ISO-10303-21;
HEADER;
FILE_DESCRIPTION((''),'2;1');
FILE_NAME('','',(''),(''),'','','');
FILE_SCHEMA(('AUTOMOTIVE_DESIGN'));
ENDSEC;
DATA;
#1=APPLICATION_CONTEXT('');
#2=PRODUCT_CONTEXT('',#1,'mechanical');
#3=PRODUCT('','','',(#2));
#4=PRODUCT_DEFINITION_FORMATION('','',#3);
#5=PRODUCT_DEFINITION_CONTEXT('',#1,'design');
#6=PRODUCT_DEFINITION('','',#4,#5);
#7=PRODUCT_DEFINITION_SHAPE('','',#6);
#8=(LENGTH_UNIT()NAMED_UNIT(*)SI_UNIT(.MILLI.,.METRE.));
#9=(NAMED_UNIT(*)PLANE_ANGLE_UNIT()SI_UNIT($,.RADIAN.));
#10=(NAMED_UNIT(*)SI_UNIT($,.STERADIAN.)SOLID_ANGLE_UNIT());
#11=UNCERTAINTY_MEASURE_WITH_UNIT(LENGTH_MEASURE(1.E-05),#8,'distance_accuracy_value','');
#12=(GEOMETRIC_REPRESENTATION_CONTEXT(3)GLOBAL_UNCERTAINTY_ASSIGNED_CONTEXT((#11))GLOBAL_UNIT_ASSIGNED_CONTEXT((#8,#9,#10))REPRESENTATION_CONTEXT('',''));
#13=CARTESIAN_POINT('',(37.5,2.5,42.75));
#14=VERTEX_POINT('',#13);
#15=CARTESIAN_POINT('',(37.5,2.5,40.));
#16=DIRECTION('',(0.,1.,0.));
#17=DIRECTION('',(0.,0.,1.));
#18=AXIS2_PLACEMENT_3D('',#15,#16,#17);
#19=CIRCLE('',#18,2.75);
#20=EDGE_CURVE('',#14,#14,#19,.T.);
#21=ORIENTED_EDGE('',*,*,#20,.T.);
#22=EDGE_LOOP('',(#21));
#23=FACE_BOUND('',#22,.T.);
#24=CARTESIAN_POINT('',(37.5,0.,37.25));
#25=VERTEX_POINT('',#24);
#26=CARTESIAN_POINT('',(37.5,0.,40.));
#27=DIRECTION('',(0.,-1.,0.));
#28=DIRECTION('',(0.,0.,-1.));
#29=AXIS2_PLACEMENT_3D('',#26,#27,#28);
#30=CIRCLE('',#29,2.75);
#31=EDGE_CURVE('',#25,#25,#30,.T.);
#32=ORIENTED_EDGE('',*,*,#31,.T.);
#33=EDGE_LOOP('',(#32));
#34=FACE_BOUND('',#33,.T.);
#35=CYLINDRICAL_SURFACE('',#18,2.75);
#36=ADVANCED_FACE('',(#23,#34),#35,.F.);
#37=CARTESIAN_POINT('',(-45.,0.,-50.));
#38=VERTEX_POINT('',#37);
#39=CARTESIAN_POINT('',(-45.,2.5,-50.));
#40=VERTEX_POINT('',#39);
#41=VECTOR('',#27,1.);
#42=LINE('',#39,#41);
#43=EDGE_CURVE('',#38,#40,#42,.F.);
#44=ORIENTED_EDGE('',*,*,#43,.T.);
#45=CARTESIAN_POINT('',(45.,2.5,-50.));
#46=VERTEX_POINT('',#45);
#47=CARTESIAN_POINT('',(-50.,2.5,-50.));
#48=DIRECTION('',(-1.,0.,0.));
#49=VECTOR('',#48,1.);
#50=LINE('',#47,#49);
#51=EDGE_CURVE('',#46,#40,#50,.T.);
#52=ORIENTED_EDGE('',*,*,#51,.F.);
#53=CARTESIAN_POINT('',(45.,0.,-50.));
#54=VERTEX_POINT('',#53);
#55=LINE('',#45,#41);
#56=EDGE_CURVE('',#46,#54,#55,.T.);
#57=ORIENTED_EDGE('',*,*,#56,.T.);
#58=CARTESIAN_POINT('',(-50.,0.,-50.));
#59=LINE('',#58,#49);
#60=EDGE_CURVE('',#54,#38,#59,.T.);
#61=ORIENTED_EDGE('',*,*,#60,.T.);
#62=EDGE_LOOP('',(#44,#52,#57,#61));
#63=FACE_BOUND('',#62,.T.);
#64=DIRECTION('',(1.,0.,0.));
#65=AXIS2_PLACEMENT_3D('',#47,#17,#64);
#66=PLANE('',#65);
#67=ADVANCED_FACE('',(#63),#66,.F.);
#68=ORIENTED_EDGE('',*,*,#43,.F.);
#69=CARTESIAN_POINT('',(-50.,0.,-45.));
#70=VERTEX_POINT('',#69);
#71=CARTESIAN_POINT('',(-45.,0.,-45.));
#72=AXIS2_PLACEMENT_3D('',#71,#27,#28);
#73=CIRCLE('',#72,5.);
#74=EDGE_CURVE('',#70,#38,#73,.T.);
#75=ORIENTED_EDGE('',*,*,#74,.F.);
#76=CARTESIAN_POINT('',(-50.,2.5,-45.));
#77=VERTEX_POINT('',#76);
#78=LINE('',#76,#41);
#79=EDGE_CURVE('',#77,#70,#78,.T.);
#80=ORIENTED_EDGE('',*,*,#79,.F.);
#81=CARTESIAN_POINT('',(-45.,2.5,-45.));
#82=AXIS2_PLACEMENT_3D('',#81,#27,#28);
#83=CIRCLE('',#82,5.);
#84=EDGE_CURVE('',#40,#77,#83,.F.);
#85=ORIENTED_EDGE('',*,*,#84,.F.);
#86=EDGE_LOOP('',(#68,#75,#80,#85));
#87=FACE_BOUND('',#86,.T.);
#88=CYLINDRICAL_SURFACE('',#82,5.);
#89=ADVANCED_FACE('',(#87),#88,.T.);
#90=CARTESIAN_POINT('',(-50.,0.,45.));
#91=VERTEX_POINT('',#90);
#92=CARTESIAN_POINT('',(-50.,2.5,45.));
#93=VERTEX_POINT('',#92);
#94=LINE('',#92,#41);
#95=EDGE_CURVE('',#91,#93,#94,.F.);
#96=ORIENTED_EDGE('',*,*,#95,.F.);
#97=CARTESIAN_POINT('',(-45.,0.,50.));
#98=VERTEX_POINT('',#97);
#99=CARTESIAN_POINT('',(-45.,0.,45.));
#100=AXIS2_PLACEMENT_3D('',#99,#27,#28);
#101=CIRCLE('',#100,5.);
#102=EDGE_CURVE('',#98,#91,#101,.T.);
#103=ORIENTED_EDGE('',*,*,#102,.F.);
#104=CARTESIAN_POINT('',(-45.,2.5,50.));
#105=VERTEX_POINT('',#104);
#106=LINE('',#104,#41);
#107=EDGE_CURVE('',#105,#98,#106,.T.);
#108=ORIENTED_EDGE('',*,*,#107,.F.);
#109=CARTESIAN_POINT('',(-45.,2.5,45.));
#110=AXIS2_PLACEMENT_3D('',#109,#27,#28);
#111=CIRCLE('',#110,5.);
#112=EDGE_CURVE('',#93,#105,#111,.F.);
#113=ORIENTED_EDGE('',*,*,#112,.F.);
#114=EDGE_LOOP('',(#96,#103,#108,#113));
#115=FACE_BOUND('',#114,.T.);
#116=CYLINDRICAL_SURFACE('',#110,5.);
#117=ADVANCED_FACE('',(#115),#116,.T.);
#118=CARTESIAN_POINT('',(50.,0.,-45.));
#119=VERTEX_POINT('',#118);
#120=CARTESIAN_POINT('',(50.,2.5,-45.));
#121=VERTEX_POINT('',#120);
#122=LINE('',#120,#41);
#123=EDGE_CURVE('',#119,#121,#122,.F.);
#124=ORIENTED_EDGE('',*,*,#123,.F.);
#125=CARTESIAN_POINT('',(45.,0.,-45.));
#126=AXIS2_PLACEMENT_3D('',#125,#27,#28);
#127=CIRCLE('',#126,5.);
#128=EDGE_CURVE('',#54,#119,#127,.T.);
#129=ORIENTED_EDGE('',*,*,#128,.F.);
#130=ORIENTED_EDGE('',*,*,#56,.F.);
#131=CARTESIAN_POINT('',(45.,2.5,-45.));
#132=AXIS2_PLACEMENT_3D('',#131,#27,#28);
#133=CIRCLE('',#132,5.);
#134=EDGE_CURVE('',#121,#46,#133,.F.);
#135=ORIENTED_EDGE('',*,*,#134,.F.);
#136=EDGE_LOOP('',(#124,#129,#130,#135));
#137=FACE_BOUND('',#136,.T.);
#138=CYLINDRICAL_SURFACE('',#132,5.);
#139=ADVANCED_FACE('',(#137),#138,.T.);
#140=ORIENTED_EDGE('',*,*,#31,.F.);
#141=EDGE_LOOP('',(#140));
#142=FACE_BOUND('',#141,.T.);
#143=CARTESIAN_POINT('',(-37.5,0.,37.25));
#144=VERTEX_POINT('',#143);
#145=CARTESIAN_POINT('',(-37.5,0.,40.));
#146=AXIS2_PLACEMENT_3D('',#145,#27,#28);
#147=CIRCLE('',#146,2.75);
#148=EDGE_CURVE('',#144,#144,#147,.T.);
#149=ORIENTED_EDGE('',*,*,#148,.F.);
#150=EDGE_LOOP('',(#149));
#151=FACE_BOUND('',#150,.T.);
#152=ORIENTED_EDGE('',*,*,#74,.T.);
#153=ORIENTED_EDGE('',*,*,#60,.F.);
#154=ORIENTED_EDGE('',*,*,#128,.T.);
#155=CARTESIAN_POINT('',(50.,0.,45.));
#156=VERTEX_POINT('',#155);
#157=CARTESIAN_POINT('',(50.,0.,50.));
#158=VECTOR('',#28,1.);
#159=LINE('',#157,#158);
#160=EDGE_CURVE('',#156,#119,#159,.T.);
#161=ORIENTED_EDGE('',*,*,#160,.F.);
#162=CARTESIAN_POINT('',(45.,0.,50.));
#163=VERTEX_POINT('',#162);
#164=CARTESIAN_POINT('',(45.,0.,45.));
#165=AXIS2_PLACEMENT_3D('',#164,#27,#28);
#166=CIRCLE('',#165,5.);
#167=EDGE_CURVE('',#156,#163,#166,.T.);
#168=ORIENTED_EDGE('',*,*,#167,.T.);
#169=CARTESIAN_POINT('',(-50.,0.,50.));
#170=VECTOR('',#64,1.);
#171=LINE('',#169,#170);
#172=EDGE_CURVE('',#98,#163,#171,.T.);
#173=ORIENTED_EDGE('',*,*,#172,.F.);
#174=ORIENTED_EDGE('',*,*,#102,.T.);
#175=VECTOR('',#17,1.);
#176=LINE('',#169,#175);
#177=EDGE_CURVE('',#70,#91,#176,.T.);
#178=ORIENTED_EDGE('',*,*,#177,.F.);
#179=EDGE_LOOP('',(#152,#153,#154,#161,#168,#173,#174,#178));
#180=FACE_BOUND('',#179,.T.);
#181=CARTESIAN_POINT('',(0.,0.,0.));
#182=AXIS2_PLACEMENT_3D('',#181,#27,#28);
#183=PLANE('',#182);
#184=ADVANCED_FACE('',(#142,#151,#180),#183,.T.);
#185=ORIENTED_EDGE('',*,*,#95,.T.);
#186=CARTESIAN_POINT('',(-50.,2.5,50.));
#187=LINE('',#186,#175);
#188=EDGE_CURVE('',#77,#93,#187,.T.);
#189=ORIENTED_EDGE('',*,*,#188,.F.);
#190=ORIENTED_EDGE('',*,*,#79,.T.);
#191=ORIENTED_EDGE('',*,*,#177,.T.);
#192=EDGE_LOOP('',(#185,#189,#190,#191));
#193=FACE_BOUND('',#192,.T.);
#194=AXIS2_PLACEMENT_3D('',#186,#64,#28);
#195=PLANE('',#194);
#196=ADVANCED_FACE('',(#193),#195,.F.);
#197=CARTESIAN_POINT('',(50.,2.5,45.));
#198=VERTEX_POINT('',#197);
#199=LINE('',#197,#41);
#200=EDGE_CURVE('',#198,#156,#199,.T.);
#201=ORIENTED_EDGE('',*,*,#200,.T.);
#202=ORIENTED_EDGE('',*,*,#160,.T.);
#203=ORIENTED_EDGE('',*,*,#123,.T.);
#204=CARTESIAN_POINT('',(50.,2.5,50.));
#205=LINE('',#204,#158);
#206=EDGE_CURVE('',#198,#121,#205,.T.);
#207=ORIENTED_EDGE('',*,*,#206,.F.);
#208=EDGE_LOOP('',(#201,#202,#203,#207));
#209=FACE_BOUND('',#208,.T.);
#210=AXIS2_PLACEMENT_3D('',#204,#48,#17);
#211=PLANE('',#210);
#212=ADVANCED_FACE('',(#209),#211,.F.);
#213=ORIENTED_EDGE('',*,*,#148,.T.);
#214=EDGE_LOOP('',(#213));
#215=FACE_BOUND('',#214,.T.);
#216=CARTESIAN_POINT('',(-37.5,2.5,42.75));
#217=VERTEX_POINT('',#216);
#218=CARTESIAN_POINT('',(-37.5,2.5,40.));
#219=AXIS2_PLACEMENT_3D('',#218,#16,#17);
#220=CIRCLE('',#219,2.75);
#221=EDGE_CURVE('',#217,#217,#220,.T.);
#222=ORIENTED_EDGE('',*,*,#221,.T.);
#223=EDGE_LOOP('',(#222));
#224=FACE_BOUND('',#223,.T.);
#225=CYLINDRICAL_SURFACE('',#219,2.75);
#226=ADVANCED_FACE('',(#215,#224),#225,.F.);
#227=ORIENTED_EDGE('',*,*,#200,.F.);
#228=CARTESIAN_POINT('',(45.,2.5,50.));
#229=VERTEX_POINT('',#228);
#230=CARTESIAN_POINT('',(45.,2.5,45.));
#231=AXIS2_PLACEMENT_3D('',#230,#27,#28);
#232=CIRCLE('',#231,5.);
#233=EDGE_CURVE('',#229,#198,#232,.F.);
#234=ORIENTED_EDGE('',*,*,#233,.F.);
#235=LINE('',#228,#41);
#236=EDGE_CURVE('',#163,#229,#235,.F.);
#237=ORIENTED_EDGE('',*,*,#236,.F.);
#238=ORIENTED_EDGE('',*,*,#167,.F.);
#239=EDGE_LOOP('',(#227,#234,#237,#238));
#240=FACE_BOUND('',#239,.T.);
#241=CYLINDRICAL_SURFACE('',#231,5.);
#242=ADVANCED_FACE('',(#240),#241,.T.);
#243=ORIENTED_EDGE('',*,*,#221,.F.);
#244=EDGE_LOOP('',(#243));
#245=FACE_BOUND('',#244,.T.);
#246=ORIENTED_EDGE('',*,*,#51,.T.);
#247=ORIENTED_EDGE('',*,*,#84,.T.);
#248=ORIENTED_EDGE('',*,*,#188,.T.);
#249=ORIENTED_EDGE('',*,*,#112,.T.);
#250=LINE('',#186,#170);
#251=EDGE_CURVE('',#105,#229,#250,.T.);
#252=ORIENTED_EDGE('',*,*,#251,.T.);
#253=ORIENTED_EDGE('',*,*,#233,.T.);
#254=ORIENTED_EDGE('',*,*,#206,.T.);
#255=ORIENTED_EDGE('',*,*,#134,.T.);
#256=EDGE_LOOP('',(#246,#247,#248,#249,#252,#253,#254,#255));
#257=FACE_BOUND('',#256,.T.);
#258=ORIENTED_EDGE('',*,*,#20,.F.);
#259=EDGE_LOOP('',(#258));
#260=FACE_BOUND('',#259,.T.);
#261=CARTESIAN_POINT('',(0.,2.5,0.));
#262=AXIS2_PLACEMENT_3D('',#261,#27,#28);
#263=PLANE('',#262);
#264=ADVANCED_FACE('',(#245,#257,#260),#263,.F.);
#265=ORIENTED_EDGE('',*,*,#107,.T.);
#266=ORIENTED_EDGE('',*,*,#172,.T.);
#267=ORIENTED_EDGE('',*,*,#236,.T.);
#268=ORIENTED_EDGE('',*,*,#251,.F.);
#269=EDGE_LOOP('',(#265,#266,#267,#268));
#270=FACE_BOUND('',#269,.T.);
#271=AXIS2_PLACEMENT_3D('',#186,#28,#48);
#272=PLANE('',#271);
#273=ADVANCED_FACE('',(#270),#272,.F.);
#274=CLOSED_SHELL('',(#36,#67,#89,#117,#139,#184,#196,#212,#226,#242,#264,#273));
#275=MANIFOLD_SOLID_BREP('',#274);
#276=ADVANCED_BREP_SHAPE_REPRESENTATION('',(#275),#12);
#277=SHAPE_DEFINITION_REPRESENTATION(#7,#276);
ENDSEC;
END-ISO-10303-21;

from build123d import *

# Parameters (mm, degrees)
SKETCH1_W                = 100
SKETCH1_H                = 100
BOSS_EXTRUDE1_DEPTH      = 2.5
M5_CLEARANCE_HOLE1_D     = 5.5
M5_CLEARANCE_HOLE1_DEPTH = 12
M5_CLEARANCE_HOLE1_TIP   = 1.652366702
FILLET1_R                = 5


with BuildPart() as part:
    # Sketch1 → Boss-Extrude1 (new body)
    with BuildSketch(Plane(origin=(0, 0, 0), x_dir=(1, 0, 0), z_dir=(0, 1, 0))):
        Rectangle(SKETCH1_W, SKETCH1_H)
    extrude(amount=BOSS_EXTRUDE1_DEPTH)

    # M5 Clearance Hole1
    with Locations(Plane(origin=(0, 2.5, 0), x_dir=(1, 0, 0), z_dir=(0, 1, 0))):
        with Locations((-37.5, -40), (37.5, -40)):
            Hole(M5_CLEARANCE_HOLE1_D / 2, depth=M5_CLEARANCE_HOLE1_DEPTH)
            with Locations((0, 0, -(M5_CLEARANCE_HOLE1_DEPTH + M5_CLEARANCE_HOLE1_TIP / 2))):  # 118° drill point
                Cone(0, M5_CLEARANCE_HOLE1_D / 2, M5_CLEARANCE_HOLE1_TIP, mode=Mode.SUBTRACT)

    # Fillet1
    fillet1_edges = [part.edges().sort_by_distance(p)[0] for p in [
        (50, 1.25, 50),
        (-50, 1.25, 50),
        (-50, 1.25, -50),
        (50, 1.25, -50),
    ]]
    fillet(fillet1_edges, radius=FILLET1_R)


solid = part.part
